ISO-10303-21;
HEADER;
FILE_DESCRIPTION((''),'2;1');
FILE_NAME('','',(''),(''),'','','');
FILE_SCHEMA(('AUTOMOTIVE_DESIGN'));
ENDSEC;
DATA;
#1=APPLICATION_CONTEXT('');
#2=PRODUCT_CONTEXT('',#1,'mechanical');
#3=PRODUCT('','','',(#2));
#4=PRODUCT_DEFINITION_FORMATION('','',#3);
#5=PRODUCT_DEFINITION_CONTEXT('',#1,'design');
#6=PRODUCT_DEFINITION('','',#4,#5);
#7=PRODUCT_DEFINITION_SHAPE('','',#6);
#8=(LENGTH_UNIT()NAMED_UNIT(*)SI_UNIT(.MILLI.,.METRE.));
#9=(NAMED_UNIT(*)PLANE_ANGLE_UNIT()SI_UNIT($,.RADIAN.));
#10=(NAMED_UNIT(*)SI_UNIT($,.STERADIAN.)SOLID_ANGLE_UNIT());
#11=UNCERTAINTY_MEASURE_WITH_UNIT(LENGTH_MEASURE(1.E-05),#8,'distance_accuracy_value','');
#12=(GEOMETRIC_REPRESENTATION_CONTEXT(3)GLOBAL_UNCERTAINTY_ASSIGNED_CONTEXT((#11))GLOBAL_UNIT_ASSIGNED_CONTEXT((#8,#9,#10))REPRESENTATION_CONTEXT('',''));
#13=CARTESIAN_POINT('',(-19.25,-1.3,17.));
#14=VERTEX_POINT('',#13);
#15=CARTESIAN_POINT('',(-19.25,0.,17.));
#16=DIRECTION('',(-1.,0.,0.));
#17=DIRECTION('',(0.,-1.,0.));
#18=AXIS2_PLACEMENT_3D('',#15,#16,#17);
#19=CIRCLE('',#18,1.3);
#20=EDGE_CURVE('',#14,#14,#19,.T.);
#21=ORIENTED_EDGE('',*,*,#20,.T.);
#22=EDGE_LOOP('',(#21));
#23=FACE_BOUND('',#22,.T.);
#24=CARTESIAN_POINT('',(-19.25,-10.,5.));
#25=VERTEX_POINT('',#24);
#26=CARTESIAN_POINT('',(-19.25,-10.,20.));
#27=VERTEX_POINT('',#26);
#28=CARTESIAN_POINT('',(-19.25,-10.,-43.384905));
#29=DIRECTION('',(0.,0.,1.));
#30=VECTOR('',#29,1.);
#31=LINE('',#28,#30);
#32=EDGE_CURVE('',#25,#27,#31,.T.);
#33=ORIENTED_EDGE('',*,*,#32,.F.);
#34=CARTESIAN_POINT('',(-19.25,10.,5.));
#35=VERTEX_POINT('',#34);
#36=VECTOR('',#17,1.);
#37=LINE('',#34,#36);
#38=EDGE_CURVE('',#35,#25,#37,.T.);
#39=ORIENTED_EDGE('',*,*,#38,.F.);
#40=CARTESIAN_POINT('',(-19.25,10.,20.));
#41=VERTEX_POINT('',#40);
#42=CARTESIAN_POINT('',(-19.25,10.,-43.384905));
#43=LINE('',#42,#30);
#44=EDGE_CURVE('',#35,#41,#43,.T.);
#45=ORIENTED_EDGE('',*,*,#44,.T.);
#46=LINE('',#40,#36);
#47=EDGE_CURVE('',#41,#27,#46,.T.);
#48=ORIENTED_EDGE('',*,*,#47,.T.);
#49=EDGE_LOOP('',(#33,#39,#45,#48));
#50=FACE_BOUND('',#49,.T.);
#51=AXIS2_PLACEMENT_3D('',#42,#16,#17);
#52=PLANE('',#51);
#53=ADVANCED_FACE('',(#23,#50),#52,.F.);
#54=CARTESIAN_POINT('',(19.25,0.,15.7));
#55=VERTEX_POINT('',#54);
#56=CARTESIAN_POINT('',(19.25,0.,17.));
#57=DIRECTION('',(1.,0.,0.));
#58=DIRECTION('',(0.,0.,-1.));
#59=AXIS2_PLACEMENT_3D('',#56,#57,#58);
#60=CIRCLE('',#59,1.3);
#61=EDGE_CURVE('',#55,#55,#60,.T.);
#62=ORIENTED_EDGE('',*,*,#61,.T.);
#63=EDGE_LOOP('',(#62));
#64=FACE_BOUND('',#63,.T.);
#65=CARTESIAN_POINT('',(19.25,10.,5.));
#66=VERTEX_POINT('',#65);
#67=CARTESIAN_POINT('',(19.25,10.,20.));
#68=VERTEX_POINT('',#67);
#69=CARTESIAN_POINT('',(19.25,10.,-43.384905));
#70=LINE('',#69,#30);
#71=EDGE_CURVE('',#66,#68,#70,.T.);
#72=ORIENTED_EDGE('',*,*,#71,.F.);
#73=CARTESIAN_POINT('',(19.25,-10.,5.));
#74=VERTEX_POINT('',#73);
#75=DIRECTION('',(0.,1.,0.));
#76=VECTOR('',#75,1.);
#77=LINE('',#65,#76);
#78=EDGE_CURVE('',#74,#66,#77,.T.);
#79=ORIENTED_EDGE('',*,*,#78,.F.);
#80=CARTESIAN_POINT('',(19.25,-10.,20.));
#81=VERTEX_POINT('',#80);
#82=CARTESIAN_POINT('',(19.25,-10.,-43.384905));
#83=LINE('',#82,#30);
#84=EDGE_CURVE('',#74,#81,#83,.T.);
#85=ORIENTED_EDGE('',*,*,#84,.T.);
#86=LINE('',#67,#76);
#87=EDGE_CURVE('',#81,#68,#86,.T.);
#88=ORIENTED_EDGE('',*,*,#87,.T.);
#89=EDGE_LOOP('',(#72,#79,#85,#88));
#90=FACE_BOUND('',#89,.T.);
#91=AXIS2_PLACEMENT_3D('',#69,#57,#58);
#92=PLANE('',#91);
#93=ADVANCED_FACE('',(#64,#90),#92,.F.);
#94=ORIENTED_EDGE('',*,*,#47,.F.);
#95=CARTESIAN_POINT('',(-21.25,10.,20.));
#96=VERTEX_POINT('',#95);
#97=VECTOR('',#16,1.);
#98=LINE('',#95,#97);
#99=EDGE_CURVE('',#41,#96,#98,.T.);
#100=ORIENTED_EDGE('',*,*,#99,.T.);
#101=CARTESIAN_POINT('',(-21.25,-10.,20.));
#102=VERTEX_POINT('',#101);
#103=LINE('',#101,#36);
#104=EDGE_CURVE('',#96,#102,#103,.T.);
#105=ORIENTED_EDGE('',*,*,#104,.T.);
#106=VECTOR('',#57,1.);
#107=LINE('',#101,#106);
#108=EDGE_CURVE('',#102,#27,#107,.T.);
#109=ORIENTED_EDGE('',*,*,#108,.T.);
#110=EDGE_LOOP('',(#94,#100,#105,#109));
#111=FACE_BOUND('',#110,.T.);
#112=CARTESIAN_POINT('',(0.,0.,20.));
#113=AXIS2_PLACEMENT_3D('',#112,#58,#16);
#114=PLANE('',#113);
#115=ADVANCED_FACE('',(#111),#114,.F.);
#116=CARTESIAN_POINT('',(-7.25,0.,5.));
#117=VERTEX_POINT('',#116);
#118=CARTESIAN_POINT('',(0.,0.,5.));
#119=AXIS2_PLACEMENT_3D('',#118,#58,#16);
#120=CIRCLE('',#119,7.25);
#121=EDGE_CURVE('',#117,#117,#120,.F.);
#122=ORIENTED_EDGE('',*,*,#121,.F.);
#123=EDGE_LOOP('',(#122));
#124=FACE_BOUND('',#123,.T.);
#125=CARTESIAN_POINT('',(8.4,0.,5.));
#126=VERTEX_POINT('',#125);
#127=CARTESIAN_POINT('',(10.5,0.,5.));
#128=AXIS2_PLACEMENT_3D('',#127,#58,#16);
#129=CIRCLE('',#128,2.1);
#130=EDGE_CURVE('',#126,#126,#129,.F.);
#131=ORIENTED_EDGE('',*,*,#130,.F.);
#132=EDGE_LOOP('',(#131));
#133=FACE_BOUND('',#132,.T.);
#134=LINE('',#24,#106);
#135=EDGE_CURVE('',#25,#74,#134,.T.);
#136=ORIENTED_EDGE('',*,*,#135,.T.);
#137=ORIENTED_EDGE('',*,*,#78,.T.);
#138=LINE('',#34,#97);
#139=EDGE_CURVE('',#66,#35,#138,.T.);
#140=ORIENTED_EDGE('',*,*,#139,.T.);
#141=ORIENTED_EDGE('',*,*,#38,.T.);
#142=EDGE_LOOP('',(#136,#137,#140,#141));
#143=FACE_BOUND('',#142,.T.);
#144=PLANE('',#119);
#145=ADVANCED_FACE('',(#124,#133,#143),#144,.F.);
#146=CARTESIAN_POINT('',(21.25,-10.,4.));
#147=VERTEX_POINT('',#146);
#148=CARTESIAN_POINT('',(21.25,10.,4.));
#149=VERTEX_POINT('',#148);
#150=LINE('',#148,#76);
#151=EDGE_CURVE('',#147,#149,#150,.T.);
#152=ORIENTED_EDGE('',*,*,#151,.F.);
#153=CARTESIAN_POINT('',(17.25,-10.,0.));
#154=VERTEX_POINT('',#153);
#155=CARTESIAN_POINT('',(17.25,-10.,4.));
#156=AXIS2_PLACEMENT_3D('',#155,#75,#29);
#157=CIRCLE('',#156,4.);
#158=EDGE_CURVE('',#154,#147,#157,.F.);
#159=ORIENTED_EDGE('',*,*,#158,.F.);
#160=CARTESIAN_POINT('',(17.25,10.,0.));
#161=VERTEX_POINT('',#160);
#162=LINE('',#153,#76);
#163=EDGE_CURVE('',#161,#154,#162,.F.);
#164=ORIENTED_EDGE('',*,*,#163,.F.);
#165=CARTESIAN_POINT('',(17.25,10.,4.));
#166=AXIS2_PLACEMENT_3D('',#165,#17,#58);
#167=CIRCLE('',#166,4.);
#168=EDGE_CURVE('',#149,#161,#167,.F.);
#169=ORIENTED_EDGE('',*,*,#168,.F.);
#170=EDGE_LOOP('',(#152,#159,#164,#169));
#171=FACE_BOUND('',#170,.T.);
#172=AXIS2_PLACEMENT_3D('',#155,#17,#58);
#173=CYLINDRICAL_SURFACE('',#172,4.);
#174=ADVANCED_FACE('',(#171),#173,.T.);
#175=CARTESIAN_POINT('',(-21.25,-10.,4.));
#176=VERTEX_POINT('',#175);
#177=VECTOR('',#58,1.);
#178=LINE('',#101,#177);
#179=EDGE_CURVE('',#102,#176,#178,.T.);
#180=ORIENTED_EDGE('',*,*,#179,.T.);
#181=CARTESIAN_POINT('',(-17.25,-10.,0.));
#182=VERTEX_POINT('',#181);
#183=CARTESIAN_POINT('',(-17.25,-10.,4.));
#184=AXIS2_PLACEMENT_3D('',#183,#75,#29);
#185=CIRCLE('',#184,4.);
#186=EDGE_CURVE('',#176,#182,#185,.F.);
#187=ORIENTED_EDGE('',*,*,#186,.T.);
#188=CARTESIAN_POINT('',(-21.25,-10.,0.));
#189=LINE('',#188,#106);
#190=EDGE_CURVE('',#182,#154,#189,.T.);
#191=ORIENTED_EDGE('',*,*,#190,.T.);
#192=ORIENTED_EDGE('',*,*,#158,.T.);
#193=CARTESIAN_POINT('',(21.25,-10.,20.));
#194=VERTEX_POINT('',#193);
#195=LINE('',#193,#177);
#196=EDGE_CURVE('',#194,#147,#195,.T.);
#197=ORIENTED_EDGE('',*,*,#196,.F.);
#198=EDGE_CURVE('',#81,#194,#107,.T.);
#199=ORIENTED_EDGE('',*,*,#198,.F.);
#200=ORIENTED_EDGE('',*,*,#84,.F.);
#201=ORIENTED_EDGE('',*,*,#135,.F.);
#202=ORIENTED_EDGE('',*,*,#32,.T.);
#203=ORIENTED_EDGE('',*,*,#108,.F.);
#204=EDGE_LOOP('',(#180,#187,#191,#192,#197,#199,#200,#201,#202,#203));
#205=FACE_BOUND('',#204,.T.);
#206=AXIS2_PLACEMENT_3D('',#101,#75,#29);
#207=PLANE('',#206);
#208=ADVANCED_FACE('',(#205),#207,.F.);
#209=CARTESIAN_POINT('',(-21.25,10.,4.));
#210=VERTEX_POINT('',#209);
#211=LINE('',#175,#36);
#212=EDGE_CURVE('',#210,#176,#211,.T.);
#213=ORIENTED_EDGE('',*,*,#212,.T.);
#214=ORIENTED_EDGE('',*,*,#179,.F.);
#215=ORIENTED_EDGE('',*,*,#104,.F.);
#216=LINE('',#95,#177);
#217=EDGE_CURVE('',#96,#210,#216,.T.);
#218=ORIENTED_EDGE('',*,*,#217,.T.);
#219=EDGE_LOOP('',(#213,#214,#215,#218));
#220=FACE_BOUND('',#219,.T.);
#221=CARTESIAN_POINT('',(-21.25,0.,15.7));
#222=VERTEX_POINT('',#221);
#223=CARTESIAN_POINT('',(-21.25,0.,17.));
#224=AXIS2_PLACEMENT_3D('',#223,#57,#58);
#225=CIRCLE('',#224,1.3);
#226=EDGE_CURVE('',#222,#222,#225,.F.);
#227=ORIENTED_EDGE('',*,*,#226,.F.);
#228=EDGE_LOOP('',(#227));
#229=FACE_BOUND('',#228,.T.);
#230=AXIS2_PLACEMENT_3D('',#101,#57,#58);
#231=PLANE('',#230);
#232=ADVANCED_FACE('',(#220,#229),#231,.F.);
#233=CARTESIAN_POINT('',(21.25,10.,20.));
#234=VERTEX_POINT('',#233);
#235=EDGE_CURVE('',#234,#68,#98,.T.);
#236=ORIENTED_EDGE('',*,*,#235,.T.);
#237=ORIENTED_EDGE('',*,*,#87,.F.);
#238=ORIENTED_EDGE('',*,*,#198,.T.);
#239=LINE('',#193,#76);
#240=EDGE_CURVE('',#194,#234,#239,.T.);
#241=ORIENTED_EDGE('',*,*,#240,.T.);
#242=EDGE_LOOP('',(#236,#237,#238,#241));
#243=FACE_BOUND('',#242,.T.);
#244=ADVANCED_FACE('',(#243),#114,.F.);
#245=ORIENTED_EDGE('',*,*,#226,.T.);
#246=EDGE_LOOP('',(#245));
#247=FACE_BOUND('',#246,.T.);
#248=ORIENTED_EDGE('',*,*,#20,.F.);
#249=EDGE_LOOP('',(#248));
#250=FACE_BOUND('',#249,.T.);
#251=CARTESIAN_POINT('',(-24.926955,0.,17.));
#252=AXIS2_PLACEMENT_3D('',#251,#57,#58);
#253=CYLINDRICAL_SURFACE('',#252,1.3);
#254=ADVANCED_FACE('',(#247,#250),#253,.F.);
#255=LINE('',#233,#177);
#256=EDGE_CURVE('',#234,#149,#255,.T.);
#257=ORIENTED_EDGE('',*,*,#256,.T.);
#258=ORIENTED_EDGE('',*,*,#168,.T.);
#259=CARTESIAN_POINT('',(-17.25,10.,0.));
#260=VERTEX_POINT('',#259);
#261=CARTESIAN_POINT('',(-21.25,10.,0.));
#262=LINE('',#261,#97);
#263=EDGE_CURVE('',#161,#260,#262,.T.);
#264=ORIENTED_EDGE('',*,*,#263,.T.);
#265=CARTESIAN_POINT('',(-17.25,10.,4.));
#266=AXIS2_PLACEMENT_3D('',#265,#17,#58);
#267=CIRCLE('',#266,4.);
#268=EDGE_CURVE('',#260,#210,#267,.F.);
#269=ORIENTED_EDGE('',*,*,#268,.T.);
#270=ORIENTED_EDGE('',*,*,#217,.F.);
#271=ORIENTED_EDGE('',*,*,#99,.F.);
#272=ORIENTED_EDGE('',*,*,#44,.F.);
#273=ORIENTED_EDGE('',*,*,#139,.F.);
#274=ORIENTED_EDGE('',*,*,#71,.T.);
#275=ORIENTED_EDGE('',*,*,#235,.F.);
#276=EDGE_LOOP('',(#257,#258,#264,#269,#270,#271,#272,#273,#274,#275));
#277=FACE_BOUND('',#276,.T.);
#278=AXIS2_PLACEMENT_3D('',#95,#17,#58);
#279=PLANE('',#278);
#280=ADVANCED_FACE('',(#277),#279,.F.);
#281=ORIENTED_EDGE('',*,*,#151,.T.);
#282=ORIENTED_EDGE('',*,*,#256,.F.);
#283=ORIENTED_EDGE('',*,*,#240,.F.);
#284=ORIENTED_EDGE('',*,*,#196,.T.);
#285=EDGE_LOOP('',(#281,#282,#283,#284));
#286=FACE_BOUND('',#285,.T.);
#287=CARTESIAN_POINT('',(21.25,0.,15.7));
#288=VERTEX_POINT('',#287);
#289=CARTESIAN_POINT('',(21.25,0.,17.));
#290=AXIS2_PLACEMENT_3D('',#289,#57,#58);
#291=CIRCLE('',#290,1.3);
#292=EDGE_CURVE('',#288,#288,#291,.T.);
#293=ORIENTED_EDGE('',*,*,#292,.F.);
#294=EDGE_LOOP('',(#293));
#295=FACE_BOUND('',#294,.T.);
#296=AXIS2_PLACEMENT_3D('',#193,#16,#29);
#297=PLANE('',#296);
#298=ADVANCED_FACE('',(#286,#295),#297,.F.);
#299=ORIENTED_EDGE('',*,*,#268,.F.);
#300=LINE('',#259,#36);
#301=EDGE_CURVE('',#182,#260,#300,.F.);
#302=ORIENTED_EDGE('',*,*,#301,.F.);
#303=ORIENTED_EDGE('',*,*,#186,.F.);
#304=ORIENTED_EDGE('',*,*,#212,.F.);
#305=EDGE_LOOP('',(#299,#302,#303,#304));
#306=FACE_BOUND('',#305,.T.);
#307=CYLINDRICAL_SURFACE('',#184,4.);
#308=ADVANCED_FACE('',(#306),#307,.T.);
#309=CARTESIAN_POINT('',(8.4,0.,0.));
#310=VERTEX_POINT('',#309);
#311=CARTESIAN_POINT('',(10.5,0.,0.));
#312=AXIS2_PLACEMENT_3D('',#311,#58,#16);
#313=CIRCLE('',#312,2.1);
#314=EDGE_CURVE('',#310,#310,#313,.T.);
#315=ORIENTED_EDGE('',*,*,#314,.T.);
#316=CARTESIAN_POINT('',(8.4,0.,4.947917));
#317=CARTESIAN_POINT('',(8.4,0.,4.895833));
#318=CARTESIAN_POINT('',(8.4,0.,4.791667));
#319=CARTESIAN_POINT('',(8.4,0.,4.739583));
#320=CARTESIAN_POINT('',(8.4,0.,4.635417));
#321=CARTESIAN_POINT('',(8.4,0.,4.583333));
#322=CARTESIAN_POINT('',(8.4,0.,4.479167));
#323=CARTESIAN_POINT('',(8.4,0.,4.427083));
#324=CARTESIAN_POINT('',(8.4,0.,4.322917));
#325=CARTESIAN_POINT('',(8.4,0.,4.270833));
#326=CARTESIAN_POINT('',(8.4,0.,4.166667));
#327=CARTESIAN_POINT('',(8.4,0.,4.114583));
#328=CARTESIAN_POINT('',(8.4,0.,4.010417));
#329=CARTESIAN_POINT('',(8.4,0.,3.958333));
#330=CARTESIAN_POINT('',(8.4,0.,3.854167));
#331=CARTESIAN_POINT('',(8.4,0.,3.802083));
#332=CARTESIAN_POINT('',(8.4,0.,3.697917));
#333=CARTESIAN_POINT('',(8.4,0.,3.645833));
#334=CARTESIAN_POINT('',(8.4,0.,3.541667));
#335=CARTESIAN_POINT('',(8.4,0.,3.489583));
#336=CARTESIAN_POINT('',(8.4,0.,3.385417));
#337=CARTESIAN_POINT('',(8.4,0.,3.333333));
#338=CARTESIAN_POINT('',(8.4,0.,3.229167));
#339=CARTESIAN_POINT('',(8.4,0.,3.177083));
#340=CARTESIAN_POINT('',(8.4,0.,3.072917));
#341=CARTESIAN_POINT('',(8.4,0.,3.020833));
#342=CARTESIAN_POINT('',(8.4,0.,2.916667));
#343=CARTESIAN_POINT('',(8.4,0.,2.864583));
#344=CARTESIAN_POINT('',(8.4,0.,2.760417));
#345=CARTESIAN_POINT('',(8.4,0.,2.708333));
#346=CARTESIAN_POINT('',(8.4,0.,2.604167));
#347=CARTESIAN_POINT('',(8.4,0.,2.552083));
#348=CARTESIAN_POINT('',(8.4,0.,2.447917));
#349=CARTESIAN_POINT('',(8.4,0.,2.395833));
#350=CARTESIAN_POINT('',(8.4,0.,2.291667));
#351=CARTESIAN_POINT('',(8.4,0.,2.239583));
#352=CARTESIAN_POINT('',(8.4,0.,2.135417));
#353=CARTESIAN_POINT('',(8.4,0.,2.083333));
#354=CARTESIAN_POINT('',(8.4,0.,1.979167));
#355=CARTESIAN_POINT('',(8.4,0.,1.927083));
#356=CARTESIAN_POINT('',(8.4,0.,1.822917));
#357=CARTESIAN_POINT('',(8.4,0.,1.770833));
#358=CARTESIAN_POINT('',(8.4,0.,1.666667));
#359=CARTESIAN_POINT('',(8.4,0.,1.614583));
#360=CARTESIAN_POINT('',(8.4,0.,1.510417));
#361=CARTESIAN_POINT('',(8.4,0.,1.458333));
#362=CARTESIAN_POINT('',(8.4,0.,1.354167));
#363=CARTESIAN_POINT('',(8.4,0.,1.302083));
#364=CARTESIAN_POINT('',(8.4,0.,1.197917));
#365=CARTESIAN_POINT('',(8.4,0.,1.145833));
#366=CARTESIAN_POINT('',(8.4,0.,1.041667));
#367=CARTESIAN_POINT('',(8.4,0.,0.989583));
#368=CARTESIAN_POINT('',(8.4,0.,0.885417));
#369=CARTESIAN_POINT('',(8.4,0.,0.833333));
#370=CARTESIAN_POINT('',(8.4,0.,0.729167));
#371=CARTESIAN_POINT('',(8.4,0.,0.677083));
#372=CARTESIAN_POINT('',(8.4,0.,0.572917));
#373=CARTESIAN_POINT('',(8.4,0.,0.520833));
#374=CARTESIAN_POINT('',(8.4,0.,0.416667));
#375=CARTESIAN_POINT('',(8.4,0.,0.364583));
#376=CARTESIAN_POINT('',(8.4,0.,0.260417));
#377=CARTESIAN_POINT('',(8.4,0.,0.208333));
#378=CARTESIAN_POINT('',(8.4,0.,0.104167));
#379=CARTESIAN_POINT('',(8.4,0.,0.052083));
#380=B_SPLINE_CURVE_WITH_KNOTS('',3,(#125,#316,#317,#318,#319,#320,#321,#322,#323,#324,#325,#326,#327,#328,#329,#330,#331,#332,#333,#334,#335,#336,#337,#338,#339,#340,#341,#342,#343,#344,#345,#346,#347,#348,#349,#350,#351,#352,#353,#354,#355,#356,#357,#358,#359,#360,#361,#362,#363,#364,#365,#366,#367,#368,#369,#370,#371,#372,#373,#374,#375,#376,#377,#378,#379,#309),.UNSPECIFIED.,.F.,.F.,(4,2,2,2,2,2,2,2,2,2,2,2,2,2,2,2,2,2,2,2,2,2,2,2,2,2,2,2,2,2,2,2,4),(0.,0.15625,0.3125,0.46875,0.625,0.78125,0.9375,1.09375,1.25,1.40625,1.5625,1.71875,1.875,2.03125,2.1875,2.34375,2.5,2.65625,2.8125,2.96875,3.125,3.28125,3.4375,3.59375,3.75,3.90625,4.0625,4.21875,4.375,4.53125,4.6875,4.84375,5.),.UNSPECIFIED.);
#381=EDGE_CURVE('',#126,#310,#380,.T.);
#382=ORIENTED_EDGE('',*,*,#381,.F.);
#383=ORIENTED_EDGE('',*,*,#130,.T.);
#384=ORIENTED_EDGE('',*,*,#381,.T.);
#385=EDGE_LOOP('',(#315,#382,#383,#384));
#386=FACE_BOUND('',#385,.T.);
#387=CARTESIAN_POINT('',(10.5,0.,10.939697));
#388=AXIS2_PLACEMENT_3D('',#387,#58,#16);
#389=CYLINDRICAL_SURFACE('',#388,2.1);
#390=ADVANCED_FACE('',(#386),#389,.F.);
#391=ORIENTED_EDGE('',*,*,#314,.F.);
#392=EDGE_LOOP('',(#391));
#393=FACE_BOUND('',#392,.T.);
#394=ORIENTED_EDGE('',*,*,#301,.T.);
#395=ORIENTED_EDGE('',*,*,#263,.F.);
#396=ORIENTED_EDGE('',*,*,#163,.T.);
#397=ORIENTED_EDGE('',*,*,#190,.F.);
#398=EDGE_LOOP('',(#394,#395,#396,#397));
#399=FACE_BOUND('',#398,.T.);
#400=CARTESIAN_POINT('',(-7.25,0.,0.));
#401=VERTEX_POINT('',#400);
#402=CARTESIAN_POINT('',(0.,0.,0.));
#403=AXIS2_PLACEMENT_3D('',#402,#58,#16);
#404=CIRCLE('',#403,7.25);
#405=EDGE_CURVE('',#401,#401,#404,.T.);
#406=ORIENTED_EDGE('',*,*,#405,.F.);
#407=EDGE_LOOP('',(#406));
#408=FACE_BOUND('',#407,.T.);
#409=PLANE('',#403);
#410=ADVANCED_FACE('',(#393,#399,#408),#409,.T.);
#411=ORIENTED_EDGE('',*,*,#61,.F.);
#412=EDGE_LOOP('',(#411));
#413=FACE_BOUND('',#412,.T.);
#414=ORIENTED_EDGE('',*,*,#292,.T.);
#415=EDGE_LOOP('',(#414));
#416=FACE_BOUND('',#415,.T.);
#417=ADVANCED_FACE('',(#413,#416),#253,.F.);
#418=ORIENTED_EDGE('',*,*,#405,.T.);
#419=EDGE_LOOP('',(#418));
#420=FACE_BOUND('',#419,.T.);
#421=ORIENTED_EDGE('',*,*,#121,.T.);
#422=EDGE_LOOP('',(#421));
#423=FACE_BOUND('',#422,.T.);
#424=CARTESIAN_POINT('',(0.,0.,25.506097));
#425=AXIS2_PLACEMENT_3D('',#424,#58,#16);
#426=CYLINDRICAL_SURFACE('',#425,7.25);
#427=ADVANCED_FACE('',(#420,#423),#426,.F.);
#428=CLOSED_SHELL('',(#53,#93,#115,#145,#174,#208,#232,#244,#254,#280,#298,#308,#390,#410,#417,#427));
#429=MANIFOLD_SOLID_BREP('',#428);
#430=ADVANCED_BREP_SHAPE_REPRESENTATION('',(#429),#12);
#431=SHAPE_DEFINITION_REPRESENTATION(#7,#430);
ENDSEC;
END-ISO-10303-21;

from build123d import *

# Parameters (mm, degrees)
SKETCH_1_W          = 42.5
SKETCH_1_H          = 20
EXTRUDE_1_DEPTH     = 20
SKETCH_2_W          = 38.5
SKETCH_2_H          = 20
CUT_EXTRUDE_1_DEPTH = 15
SKETCH_3_R          = 7.25
CUT_EXTRUDE_2_DEPTH = 5
CUT_EXTRUDE_3_REACH = 50.023
SKETCH_4_R          = 1.3
SKETCH_5_R          = 2.1
CUT_EXTRUDE_4_DEPTH = 5
FILLET_1_R          = 4


with BuildPart() as part:
    # 草图1 → 凸台-拉伸1 (new body)
    with BuildSketch(Plane.XY):
        Rectangle(SKETCH_1_W, SKETCH_1_H)
    extrude(amount=EXTRUDE_1_DEPTH)

    # 草图2 → 切除-拉伸1 (cut)
    with BuildSketch(Plane.XY.offset(20)):
        Rectangle(SKETCH_2_W, SKETCH_2_H)
    extrude(amount=-CUT_EXTRUDE_1_DEPTH, mode=Mode.SUBTRACT)

    # 草图3 → 切除-拉伸2 (cut)
    with BuildSketch(Plane(origin=(0, 0, 0), x_dir=(-1, 0, 0), z_dir=(0, 0, -1))):
        Circle(SKETCH_3_R)
    extrude(amount=-CUT_EXTRUDE_2_DEPTH, mode=Mode.SUBTRACT)

    # 切除-拉伸3: up to this face of the body (flat: up to its plane)
    cut_extrude_3_end = Plane(part.part.faces().sort_by_distance((-21.25, 0, 10))[0])
    # 草图4 → 切除-拉伸3 (cut, up to the picked face)
    with BuildSketch(Plane(origin=(21.25, 0, 0), x_dir=(0, 0, -1), z_dir=(1, 0, 0)), mode=Mode.PRIVATE) as cut_extrude_3_sk1:
        with Locations((-17, 0)):
            Circle(SKETCH_4_R)
    cut_extrude_3_tool1 = split(extrude(cut_extrude_3_sk1.sketch, amount=-CUT_EXTRUDE_3_REACH, mode=Mode.PRIVATE), bisect_by=cut_extrude_3_end, keep=Keep.BOTH, mode=Mode.PRIVATE)
    add(cut_extrude_3_tool1.solids().sort_by(Axis((21.25, 0, 17), (-1, 0, 0)))[0], mode=Mode.SUBTRACT)

    # 草图5 → 切除-拉伸4 (cut)
    with BuildSketch(Plane(origin=(0, 0, 0), x_dir=(-1, 0, 0), z_dir=(0, 0, -1))):
        with Locations((-10.5, 0)):
            Circle(SKETCH_5_R)
    extrude(amount=-CUT_EXTRUDE_4_DEPTH, mode=Mode.SUBTRACT)

    # 圆角1
    fillet_1_edges = [part.edges().sort_by_distance(p)[0] for p in [
        (-21.25, 0, 0),
        (21.25, 0, 0),
    ]]
    fillet(fillet_1_edges, radius=FILLET_1_R)


solid = part.part
